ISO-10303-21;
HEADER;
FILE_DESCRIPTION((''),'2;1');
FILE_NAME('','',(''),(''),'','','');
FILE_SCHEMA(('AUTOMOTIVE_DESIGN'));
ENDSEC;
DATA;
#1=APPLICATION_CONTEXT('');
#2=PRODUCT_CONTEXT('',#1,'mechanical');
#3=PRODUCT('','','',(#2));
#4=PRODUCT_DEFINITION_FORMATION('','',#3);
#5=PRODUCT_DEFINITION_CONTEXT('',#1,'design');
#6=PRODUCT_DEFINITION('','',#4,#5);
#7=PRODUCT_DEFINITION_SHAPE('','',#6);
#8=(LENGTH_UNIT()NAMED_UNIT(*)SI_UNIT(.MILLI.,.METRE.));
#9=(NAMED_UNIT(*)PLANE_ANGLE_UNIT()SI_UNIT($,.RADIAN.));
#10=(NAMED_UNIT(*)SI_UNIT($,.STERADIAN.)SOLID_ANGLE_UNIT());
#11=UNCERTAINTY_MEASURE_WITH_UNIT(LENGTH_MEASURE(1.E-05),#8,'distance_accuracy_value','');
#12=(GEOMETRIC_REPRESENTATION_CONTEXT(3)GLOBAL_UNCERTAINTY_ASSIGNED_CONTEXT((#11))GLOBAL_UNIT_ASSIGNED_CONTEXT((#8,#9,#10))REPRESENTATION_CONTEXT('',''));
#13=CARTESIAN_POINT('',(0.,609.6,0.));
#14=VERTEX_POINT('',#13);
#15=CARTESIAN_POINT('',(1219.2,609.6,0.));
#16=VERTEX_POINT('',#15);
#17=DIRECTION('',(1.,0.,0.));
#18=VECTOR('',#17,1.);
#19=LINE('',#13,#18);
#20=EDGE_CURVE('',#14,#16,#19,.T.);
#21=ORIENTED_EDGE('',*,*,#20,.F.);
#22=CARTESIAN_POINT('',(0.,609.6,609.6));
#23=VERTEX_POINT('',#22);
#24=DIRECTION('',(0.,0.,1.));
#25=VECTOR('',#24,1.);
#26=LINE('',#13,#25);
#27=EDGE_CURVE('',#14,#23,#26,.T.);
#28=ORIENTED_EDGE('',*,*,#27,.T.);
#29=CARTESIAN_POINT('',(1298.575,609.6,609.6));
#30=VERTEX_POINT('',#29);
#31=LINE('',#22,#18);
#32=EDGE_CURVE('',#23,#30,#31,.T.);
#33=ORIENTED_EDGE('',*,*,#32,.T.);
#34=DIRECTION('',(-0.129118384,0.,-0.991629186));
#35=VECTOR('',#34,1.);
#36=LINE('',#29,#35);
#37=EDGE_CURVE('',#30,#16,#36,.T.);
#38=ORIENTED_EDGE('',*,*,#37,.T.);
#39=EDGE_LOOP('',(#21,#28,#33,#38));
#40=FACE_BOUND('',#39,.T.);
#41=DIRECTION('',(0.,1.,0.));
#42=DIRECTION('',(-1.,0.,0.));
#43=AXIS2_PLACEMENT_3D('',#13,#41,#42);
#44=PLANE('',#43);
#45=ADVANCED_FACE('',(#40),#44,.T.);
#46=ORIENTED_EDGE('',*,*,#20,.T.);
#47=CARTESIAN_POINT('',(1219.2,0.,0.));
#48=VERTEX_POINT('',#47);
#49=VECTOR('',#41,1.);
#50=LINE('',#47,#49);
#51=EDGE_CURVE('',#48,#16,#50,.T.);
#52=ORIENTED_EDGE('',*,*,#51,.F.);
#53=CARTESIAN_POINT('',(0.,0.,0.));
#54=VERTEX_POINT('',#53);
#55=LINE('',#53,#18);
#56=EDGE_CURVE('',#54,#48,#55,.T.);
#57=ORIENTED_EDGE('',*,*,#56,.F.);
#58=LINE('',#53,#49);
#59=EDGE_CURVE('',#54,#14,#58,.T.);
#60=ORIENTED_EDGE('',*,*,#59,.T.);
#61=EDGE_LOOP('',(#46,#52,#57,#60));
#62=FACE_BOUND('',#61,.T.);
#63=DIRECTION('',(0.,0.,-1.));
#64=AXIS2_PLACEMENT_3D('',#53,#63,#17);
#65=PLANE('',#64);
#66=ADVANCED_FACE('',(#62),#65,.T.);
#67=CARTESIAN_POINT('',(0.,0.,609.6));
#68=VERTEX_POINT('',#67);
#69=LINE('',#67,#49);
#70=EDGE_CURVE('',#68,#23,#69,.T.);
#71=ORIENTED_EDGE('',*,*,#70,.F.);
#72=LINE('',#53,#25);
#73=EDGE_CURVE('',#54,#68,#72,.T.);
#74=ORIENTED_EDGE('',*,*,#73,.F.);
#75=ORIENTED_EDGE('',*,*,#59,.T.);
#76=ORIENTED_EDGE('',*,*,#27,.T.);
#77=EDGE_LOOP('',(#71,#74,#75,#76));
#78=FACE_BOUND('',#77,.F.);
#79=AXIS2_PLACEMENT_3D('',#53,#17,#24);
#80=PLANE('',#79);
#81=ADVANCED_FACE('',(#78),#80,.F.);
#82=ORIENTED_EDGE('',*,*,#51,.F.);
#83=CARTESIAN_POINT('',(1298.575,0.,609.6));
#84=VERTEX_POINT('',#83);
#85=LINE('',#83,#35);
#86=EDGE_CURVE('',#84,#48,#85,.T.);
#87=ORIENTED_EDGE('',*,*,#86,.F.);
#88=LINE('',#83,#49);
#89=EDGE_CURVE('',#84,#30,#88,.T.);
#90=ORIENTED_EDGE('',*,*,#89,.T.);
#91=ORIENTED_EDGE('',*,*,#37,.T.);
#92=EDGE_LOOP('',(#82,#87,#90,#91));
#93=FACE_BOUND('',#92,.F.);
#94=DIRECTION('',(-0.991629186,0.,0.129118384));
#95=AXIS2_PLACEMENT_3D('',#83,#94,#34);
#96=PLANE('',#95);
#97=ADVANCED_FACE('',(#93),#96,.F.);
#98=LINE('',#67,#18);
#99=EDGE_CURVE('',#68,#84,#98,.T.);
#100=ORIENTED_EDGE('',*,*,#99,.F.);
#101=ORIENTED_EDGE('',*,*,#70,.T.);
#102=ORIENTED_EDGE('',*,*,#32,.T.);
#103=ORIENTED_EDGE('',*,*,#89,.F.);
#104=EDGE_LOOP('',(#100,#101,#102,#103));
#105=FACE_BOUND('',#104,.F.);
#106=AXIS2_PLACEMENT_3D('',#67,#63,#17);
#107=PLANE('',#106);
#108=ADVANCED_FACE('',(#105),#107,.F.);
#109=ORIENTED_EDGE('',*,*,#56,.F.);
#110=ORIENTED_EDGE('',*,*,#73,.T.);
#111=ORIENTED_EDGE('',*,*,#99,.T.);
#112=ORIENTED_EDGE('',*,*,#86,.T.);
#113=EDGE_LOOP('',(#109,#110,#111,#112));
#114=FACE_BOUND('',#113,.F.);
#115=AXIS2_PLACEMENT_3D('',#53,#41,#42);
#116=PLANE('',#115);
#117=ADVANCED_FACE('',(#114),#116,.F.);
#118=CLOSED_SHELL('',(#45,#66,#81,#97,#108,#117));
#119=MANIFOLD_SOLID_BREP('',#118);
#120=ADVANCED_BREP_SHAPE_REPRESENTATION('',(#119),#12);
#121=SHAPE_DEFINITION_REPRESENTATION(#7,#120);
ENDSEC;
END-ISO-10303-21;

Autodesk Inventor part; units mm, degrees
ref_plane "YZ Plane" through (0, 0, 0) normal (1, 0, 0) x (0, 1, 0)
ref_plane "XZ Plane" through (0, 0, 0) normal (0, 1, 0) x (-1, 0, 0)
ref_plane "XY Plane" through (0, 0, 0) normal (0, 0, 1) x (1, 0, 0)
sketch "Sketch1" plane through (0, 0, 0) normal (0, 1, 0) x (-1, 0, 0)
  line L0 (0, 0) -> (-1219.2, 0)
  line L1 (0, 0) -> (0, 609.6)
  line L2 (0, 609.6) -> (-1298.575, 609.6)
  line L3 (-1298.575, 609.6) -> (-1219.2, 0)
  dimension "d0" = 1219.2
  dimension "d1" = 1298.575
  dimension "d2" = 609.6
extrude "Extrusion1" add sketch "Sketch1" along normal blind 609.6
properties part number "A - 1" material "Granite, Cut, Polished"
